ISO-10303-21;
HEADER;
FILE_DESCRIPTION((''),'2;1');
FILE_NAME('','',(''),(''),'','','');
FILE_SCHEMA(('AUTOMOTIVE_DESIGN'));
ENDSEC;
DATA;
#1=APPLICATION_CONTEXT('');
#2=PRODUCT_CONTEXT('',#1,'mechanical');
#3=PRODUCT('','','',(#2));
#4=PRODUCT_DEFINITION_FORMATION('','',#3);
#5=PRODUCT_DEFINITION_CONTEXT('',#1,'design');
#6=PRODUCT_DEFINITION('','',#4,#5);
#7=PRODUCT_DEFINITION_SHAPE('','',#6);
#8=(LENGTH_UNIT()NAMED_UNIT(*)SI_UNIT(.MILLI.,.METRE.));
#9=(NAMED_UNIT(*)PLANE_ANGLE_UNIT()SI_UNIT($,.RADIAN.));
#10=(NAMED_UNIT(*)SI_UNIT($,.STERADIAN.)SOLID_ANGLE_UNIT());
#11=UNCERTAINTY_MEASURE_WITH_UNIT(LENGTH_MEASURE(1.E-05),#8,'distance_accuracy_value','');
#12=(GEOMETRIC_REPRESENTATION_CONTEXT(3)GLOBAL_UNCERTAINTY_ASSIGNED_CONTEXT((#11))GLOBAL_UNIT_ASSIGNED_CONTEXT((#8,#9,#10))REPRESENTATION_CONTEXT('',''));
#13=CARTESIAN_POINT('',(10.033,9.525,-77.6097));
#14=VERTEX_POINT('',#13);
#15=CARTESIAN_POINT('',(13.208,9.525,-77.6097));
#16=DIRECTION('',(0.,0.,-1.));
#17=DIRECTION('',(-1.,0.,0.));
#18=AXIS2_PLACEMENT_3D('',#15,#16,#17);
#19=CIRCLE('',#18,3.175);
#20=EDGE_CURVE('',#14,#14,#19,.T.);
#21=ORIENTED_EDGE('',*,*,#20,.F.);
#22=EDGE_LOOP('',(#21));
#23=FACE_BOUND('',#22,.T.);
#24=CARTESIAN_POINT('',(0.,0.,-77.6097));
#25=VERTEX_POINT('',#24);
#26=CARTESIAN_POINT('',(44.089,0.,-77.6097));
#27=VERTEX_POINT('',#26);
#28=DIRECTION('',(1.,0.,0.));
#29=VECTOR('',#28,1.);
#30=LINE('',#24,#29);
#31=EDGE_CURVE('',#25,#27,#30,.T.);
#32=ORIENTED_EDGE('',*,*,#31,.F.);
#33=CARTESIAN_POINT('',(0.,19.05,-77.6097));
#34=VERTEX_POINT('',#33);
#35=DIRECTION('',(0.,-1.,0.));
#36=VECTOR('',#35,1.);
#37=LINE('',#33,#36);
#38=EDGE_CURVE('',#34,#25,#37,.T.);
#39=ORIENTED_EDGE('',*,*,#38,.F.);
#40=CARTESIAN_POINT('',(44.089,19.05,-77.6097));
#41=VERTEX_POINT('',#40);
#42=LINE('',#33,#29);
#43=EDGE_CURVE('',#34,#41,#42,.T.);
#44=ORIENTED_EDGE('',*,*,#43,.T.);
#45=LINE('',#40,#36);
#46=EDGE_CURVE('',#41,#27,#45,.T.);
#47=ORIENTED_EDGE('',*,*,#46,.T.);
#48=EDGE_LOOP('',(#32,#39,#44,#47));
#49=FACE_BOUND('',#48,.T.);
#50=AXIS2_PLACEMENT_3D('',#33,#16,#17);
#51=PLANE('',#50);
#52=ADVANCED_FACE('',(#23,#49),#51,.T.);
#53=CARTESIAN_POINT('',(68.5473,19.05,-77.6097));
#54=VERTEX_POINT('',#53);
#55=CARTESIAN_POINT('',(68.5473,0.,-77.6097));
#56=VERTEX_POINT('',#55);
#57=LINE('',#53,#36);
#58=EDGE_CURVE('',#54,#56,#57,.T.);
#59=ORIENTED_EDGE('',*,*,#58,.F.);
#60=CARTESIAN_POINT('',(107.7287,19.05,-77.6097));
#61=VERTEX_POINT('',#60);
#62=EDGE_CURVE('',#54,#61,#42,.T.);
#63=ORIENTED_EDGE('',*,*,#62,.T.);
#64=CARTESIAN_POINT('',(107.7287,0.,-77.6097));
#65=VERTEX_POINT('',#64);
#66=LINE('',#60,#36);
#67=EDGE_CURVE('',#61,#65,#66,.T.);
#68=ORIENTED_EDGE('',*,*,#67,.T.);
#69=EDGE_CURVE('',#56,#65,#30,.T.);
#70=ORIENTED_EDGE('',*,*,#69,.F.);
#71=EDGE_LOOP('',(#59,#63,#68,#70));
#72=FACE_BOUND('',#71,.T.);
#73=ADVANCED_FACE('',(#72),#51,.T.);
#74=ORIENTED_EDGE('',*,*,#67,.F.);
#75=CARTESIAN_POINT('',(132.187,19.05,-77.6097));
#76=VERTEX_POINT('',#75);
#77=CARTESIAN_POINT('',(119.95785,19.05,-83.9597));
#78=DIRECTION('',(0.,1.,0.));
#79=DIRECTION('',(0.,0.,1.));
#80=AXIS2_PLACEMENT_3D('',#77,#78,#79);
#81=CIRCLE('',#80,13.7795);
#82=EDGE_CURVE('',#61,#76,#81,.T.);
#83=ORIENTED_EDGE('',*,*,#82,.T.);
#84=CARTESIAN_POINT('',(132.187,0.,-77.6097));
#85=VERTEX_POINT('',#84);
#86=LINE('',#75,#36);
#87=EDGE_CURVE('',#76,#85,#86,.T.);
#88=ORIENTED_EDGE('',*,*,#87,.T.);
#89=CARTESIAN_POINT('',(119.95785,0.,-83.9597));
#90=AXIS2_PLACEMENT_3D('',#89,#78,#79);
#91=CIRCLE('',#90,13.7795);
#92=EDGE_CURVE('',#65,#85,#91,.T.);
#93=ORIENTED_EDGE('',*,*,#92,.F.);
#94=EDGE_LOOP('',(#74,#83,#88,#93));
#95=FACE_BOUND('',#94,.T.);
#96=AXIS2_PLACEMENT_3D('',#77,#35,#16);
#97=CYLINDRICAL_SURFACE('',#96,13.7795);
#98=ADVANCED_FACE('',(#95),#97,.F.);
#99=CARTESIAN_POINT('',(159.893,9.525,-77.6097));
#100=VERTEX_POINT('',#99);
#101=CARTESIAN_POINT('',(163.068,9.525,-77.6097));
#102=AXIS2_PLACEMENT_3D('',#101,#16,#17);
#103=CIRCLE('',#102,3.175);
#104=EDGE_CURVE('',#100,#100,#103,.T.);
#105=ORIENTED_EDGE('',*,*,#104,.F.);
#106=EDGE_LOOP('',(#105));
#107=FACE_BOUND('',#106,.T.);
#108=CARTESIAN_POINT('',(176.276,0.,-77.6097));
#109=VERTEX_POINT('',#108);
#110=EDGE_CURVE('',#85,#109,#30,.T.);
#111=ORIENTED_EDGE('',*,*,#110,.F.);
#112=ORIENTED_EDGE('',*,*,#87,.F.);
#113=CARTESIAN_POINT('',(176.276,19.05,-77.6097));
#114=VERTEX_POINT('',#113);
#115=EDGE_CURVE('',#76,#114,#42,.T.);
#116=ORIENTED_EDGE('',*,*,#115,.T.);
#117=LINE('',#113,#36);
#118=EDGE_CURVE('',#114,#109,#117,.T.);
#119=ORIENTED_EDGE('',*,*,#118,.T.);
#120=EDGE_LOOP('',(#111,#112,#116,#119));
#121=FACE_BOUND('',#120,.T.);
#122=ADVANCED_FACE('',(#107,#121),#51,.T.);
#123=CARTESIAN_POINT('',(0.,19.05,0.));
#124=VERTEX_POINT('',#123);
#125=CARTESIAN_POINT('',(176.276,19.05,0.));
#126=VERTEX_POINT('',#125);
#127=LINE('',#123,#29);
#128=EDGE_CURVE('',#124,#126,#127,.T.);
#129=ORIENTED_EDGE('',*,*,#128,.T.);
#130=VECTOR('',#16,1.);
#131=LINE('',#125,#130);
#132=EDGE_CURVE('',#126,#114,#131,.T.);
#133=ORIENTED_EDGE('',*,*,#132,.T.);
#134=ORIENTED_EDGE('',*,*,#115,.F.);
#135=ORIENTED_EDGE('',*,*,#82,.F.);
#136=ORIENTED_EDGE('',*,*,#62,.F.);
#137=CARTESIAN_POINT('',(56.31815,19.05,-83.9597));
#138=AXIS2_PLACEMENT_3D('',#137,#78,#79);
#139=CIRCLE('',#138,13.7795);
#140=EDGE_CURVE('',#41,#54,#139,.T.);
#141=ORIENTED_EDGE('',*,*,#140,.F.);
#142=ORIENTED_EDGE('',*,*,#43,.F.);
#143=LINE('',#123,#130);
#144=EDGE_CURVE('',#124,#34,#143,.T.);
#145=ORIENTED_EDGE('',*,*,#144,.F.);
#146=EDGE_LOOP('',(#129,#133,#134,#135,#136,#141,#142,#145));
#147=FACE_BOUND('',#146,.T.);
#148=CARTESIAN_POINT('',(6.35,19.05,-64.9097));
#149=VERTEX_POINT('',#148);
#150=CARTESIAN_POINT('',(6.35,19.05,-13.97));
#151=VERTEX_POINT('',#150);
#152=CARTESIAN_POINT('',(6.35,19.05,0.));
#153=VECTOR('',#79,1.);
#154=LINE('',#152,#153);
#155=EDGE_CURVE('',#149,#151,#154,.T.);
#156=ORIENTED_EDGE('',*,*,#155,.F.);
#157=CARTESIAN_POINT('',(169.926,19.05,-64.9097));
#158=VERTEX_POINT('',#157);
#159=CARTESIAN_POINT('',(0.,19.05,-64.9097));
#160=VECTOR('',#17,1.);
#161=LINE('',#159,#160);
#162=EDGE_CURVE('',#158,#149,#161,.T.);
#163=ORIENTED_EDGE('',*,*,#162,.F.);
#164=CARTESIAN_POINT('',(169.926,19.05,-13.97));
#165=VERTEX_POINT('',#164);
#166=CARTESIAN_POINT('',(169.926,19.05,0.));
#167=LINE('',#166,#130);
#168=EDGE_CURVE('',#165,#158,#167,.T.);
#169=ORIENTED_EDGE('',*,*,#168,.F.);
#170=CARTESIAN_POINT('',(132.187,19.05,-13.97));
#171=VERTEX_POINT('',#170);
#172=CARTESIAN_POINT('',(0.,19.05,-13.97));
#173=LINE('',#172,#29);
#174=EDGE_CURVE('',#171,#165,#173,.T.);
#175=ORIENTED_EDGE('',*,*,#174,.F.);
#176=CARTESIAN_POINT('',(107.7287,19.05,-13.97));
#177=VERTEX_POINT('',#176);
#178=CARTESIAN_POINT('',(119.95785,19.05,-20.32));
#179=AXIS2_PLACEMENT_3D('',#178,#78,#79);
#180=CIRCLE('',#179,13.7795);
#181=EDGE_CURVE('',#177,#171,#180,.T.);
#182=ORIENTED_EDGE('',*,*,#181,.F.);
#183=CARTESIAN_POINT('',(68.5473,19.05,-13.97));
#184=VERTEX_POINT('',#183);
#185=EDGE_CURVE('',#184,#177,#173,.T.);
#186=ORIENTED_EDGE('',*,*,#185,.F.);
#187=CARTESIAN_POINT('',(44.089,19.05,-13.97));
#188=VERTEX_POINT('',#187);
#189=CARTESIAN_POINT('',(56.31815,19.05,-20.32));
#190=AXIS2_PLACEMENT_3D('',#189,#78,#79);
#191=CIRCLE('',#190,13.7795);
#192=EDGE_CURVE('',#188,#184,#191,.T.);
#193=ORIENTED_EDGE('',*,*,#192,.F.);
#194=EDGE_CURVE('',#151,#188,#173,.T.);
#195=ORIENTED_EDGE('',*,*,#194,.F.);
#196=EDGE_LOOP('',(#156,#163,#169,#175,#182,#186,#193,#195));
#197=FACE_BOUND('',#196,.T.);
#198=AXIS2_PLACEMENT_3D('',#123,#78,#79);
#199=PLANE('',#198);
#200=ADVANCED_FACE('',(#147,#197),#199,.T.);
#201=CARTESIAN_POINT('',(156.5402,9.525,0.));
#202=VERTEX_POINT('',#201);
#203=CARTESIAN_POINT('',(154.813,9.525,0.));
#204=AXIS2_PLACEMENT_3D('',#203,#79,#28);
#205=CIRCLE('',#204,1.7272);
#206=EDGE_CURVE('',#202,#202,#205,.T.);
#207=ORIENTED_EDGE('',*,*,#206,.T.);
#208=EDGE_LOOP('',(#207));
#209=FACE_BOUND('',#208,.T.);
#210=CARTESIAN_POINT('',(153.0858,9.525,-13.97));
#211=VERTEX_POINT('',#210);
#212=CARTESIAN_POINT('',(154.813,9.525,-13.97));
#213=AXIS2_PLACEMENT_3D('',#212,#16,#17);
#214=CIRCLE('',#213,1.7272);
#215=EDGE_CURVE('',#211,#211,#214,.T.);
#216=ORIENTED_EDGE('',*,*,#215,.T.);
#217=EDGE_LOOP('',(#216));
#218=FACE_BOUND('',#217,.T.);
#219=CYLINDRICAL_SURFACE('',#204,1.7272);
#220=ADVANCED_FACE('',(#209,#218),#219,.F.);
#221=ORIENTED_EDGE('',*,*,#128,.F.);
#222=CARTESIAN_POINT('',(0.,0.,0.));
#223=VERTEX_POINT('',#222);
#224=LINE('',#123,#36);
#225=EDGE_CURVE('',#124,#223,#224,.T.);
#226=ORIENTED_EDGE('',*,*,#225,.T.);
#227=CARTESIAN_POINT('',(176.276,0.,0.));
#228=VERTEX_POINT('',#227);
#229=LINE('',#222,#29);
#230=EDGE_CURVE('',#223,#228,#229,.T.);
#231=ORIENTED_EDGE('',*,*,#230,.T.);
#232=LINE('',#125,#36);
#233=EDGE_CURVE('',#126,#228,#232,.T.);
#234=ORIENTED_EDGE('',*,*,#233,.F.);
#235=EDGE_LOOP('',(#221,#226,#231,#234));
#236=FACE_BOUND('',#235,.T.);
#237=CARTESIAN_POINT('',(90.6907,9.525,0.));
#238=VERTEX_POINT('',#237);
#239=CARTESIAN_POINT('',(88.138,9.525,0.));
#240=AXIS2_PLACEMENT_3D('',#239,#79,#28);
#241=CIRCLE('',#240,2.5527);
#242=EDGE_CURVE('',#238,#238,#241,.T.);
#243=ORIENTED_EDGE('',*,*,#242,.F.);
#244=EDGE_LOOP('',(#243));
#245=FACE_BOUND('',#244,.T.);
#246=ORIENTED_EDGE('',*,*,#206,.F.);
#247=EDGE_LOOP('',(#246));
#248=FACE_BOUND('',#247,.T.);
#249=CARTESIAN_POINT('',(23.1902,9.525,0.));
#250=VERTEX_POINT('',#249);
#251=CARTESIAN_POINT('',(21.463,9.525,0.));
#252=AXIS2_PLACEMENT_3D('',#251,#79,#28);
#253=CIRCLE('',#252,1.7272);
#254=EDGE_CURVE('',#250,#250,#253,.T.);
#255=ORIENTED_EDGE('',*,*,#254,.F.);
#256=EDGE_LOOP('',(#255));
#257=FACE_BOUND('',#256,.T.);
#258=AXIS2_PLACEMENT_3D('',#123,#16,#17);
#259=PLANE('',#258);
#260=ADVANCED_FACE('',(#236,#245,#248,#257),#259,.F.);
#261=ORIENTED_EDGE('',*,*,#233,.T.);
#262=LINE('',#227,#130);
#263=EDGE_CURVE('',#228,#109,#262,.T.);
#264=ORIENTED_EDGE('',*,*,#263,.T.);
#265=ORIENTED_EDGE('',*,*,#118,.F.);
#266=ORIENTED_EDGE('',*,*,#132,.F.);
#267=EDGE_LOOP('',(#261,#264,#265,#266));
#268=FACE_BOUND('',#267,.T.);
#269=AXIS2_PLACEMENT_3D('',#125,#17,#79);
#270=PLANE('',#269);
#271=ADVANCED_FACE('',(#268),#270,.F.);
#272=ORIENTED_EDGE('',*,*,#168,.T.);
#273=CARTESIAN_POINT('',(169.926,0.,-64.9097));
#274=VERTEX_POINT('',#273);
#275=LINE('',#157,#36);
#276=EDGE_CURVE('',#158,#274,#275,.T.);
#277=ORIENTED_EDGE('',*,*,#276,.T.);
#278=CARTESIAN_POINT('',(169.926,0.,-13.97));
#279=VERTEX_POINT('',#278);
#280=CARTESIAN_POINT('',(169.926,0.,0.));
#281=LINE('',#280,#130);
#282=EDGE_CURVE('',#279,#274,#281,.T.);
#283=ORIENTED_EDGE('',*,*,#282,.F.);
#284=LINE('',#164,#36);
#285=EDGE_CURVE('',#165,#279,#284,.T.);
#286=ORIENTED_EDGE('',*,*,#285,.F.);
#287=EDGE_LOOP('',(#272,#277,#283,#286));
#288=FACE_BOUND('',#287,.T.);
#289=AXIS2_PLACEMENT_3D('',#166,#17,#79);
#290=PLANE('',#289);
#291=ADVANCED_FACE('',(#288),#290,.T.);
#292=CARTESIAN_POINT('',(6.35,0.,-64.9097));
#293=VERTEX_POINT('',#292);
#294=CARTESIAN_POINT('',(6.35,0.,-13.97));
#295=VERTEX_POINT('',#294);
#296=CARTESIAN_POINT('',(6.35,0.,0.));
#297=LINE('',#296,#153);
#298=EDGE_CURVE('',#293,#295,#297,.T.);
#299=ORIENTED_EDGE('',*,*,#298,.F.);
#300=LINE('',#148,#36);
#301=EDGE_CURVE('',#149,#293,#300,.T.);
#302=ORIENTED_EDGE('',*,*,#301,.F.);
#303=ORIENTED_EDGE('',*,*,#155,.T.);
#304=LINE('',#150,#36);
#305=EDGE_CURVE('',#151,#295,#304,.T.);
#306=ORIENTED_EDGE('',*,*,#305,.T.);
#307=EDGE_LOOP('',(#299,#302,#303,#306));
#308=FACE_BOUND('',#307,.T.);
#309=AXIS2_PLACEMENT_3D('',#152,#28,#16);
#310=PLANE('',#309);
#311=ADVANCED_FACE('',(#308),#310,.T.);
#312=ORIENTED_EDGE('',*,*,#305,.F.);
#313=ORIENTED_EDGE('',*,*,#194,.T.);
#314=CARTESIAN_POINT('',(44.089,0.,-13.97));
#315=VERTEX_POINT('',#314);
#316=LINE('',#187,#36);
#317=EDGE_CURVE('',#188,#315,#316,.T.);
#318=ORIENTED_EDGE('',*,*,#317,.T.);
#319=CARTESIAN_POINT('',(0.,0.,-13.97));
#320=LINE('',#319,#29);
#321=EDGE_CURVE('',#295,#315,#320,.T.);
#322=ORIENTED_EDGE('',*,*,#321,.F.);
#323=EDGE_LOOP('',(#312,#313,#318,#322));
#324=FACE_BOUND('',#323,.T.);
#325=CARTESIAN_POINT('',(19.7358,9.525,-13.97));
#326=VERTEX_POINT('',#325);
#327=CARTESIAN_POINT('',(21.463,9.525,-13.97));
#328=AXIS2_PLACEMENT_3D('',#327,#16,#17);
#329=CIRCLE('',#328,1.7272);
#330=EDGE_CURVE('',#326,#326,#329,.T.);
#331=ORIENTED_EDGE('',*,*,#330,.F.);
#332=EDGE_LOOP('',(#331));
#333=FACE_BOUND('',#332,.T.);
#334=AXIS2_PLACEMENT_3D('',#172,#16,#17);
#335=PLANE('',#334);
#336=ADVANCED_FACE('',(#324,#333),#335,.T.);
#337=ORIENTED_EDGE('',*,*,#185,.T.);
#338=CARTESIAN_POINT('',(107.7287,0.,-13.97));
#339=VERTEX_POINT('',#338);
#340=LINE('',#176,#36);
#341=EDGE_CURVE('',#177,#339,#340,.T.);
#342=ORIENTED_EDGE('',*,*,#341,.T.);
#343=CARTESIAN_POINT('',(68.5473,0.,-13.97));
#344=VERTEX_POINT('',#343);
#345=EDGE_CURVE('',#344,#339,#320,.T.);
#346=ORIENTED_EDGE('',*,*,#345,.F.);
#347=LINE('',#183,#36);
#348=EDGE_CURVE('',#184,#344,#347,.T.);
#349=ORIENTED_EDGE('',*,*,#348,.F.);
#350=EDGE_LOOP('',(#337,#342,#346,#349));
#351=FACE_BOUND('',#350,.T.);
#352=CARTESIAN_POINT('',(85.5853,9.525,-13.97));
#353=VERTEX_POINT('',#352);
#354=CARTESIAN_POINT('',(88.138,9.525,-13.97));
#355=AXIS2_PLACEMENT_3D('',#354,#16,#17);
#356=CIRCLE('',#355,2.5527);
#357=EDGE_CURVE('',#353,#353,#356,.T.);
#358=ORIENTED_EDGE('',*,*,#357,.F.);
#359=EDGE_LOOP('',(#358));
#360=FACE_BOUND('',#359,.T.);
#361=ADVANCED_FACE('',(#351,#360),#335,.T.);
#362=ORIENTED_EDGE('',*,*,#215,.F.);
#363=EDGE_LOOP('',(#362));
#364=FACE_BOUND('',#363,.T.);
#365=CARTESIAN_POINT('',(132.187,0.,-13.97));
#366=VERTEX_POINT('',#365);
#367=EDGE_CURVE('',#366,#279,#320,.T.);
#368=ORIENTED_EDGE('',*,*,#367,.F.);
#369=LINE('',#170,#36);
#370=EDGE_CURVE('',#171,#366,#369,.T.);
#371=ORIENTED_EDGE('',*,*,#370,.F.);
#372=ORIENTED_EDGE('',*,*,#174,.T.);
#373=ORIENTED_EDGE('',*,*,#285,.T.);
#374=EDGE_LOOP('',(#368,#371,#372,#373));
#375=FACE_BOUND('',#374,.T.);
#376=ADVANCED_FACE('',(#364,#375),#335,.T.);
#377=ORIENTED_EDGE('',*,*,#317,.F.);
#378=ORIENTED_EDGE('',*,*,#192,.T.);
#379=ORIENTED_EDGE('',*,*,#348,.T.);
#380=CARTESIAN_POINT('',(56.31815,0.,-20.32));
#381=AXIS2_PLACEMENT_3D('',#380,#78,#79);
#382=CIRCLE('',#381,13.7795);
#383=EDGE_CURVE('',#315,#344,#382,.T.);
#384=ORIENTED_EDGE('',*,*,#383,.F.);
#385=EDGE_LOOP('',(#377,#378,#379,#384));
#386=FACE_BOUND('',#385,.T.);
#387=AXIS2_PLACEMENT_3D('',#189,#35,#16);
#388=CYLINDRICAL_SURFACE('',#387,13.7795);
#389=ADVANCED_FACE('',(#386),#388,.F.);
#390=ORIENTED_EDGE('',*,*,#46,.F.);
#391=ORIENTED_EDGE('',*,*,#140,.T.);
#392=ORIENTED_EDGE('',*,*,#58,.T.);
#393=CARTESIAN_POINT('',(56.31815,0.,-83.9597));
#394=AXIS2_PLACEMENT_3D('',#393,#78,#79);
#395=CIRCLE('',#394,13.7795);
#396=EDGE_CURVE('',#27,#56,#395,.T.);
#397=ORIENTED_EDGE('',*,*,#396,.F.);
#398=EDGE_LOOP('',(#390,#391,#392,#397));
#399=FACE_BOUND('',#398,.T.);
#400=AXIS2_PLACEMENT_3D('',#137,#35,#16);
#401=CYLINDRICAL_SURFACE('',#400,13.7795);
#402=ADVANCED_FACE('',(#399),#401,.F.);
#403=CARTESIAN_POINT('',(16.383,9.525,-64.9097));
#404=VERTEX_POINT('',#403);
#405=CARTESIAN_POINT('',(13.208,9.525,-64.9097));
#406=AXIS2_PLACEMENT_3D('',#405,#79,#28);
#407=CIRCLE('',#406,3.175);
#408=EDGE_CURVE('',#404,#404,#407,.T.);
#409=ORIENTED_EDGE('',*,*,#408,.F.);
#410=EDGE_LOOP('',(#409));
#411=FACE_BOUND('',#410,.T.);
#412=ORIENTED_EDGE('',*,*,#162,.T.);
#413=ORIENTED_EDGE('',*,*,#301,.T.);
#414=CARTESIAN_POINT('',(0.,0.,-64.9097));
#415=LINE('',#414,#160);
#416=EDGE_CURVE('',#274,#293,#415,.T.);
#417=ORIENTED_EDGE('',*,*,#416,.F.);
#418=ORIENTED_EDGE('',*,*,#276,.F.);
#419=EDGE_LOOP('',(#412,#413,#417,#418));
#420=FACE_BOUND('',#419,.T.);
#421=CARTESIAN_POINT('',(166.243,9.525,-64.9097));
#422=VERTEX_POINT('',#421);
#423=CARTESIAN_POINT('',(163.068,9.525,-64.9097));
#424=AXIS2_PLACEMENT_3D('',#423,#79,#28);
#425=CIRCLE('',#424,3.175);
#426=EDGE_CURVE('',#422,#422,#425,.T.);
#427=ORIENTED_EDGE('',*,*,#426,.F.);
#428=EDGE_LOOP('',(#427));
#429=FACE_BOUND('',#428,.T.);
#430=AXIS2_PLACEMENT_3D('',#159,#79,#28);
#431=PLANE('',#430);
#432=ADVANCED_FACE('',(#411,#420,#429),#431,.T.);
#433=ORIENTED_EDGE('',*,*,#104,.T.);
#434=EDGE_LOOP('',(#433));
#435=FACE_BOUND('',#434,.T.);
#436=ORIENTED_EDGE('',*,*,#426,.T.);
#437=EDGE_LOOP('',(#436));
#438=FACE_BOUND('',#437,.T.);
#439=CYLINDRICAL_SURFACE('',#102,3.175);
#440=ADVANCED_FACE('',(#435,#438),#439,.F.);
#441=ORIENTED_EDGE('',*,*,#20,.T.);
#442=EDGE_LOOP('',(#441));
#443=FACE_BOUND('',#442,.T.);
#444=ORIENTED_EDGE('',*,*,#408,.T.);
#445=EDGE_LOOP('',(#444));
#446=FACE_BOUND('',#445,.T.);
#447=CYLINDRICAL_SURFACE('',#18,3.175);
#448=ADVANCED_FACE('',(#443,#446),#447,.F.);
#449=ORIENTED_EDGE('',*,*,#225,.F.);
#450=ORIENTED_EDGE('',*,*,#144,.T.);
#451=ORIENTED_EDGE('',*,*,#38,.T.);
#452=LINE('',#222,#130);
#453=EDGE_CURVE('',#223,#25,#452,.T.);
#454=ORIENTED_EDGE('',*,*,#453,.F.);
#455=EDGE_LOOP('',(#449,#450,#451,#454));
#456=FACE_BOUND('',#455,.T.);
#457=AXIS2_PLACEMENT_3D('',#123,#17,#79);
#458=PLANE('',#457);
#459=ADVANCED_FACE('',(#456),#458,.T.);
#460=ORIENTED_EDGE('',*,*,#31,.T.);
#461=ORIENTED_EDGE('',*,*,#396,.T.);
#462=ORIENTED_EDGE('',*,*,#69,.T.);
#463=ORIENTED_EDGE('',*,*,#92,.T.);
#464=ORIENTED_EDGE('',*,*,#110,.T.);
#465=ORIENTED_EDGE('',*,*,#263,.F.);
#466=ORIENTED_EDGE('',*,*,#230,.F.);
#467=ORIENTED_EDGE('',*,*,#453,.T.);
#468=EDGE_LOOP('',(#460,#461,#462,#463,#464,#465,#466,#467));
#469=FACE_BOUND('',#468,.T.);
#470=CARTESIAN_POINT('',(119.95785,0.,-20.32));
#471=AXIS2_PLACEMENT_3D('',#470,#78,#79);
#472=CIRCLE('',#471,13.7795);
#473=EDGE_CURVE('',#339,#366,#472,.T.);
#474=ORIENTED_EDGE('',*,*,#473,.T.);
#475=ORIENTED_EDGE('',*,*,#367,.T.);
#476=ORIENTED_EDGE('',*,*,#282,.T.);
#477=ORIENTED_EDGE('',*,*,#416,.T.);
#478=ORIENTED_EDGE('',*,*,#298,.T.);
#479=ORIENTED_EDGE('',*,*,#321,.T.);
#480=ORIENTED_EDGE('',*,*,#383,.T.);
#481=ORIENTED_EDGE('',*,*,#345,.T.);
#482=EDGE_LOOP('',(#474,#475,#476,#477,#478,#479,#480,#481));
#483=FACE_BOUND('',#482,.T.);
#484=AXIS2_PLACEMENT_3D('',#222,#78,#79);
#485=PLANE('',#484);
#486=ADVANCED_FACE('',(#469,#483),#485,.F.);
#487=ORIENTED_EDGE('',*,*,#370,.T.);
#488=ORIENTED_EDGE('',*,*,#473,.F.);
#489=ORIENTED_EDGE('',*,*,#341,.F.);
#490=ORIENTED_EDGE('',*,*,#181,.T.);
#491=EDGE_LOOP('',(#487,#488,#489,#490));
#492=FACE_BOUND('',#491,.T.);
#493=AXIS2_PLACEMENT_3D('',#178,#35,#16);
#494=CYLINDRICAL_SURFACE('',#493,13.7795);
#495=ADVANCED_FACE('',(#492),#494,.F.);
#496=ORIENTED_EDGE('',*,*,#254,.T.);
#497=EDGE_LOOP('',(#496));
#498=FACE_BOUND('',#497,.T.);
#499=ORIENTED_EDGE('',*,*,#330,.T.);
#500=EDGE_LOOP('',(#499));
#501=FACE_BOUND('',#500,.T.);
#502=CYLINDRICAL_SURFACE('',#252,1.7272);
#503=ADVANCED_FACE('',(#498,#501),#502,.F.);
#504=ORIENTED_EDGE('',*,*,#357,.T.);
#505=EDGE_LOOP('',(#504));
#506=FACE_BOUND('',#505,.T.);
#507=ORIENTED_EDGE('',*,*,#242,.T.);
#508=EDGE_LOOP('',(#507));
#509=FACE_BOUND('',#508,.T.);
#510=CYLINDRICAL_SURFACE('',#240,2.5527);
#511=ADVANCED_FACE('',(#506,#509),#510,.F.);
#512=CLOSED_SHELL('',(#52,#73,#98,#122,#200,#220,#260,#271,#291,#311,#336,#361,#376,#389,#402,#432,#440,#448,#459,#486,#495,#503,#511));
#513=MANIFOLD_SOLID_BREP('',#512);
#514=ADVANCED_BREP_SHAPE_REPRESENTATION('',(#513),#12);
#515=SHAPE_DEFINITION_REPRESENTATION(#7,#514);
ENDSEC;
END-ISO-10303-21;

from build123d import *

# Parameters (mm, degrees)
BOSS_EXTRUDE1_DEPTH            = 19.05
F_8_32_TAPPED_HOLE1_D          = 3.4544
F_8_32_TAPPED_HOLE1_DEPTH      = 13.97
F_10_CLEARANCE_HOLE1_D         = 5.1054
F_10_CLEARANCE_HOLE1_DEPTH     = 13.97
F_1_4_0_2500_DOWEL_HOLE2_D     = 6.35
F_1_4_0_2500_DOWEL_HOLE2_DEPTH = 12.7


with BuildPart() as part:
    # Sketch1 → Boss-Extrude1 (new body)
    with BuildSketch(Plane(origin=(0, 0, 0), x_dir=(1, 0, 0), z_dir=(0, 1, 0))):
        with BuildLine():
            Line((107.72869957, 77.6097), (68.54730043, 77.6097))
            ThreePointArc((68.54730043, 77.6097), (56.31815, 70.1802), (44.08899957, 77.6097))
            Line((44.08899957, 77.6097), (0, 77.6097))
            Line((0, 77.6097), (0, 0))
            Line((0, 0), (176.276, 0))
            Line((176.276, 0), (176.276, 77.6097))
            Line((176.276, 77.6097), (132.18700043, 77.6097))
            ThreePointArc((132.18700043, 77.6097), (119.95785, 70.1802), (107.72869957, 77.6097))
        make_face()
        with BuildLine():
            Line((169.926, 13.97), (132.18700043, 13.97))
            ThreePointArc((132.18700043, 13.97), (119.95785, 6.5405), (107.72869957, 13.97))
            Line((107.72869957, 13.97), (68.54730043, 13.97))
            ThreePointArc((68.54730043, 13.97), (56.31815, 6.5405), (44.08899957, 13.97))
            Line((44.08899957, 13.97), (6.35, 13.97))
            Line((6.35, 13.97), (6.35, 64.9097))
            Line((6.35, 64.9097), (169.926, 64.9097))
            Line((169.926, 64.9097), (169.926, 13.97))
        make_face(mode=Mode.SUBTRACT)
    extrude(amount=BOSS_EXTRUDE1_DEPTH)

    # #8-32 Tapped Hole1
    with Locations(Plane.XY):
        with Locations((154.813, 9.525), (21.463, 9.525)):
            Hole(F_8_32_TAPPED_HOLE1_D / 2, depth=F_8_32_TAPPED_HOLE1_DEPTH)

    # #10 Clearance Hole1
    with Locations(Plane.XY):
        with Locations((88.138, 9.525)):
            Hole(F_10_CLEARANCE_HOLE1_D / 2, depth=F_10_CLEARANCE_HOLE1_DEPTH)

    # 1/4 (0.2500) Dowel Hole2
    with Locations(Plane(origin=(0, 0, -77.6097), x_dir=(-1, 0, 0), z_dir=(0, 0, -1))):
        with Locations((-13.208, 9.525), (-163.068, 9.525)):
            Hole(F_1_4_0_2500_DOWEL_HOLE2_D / 2, depth=F_1_4_0_2500_DOWEL_HOLE2_DEPTH)


solid = part.part
